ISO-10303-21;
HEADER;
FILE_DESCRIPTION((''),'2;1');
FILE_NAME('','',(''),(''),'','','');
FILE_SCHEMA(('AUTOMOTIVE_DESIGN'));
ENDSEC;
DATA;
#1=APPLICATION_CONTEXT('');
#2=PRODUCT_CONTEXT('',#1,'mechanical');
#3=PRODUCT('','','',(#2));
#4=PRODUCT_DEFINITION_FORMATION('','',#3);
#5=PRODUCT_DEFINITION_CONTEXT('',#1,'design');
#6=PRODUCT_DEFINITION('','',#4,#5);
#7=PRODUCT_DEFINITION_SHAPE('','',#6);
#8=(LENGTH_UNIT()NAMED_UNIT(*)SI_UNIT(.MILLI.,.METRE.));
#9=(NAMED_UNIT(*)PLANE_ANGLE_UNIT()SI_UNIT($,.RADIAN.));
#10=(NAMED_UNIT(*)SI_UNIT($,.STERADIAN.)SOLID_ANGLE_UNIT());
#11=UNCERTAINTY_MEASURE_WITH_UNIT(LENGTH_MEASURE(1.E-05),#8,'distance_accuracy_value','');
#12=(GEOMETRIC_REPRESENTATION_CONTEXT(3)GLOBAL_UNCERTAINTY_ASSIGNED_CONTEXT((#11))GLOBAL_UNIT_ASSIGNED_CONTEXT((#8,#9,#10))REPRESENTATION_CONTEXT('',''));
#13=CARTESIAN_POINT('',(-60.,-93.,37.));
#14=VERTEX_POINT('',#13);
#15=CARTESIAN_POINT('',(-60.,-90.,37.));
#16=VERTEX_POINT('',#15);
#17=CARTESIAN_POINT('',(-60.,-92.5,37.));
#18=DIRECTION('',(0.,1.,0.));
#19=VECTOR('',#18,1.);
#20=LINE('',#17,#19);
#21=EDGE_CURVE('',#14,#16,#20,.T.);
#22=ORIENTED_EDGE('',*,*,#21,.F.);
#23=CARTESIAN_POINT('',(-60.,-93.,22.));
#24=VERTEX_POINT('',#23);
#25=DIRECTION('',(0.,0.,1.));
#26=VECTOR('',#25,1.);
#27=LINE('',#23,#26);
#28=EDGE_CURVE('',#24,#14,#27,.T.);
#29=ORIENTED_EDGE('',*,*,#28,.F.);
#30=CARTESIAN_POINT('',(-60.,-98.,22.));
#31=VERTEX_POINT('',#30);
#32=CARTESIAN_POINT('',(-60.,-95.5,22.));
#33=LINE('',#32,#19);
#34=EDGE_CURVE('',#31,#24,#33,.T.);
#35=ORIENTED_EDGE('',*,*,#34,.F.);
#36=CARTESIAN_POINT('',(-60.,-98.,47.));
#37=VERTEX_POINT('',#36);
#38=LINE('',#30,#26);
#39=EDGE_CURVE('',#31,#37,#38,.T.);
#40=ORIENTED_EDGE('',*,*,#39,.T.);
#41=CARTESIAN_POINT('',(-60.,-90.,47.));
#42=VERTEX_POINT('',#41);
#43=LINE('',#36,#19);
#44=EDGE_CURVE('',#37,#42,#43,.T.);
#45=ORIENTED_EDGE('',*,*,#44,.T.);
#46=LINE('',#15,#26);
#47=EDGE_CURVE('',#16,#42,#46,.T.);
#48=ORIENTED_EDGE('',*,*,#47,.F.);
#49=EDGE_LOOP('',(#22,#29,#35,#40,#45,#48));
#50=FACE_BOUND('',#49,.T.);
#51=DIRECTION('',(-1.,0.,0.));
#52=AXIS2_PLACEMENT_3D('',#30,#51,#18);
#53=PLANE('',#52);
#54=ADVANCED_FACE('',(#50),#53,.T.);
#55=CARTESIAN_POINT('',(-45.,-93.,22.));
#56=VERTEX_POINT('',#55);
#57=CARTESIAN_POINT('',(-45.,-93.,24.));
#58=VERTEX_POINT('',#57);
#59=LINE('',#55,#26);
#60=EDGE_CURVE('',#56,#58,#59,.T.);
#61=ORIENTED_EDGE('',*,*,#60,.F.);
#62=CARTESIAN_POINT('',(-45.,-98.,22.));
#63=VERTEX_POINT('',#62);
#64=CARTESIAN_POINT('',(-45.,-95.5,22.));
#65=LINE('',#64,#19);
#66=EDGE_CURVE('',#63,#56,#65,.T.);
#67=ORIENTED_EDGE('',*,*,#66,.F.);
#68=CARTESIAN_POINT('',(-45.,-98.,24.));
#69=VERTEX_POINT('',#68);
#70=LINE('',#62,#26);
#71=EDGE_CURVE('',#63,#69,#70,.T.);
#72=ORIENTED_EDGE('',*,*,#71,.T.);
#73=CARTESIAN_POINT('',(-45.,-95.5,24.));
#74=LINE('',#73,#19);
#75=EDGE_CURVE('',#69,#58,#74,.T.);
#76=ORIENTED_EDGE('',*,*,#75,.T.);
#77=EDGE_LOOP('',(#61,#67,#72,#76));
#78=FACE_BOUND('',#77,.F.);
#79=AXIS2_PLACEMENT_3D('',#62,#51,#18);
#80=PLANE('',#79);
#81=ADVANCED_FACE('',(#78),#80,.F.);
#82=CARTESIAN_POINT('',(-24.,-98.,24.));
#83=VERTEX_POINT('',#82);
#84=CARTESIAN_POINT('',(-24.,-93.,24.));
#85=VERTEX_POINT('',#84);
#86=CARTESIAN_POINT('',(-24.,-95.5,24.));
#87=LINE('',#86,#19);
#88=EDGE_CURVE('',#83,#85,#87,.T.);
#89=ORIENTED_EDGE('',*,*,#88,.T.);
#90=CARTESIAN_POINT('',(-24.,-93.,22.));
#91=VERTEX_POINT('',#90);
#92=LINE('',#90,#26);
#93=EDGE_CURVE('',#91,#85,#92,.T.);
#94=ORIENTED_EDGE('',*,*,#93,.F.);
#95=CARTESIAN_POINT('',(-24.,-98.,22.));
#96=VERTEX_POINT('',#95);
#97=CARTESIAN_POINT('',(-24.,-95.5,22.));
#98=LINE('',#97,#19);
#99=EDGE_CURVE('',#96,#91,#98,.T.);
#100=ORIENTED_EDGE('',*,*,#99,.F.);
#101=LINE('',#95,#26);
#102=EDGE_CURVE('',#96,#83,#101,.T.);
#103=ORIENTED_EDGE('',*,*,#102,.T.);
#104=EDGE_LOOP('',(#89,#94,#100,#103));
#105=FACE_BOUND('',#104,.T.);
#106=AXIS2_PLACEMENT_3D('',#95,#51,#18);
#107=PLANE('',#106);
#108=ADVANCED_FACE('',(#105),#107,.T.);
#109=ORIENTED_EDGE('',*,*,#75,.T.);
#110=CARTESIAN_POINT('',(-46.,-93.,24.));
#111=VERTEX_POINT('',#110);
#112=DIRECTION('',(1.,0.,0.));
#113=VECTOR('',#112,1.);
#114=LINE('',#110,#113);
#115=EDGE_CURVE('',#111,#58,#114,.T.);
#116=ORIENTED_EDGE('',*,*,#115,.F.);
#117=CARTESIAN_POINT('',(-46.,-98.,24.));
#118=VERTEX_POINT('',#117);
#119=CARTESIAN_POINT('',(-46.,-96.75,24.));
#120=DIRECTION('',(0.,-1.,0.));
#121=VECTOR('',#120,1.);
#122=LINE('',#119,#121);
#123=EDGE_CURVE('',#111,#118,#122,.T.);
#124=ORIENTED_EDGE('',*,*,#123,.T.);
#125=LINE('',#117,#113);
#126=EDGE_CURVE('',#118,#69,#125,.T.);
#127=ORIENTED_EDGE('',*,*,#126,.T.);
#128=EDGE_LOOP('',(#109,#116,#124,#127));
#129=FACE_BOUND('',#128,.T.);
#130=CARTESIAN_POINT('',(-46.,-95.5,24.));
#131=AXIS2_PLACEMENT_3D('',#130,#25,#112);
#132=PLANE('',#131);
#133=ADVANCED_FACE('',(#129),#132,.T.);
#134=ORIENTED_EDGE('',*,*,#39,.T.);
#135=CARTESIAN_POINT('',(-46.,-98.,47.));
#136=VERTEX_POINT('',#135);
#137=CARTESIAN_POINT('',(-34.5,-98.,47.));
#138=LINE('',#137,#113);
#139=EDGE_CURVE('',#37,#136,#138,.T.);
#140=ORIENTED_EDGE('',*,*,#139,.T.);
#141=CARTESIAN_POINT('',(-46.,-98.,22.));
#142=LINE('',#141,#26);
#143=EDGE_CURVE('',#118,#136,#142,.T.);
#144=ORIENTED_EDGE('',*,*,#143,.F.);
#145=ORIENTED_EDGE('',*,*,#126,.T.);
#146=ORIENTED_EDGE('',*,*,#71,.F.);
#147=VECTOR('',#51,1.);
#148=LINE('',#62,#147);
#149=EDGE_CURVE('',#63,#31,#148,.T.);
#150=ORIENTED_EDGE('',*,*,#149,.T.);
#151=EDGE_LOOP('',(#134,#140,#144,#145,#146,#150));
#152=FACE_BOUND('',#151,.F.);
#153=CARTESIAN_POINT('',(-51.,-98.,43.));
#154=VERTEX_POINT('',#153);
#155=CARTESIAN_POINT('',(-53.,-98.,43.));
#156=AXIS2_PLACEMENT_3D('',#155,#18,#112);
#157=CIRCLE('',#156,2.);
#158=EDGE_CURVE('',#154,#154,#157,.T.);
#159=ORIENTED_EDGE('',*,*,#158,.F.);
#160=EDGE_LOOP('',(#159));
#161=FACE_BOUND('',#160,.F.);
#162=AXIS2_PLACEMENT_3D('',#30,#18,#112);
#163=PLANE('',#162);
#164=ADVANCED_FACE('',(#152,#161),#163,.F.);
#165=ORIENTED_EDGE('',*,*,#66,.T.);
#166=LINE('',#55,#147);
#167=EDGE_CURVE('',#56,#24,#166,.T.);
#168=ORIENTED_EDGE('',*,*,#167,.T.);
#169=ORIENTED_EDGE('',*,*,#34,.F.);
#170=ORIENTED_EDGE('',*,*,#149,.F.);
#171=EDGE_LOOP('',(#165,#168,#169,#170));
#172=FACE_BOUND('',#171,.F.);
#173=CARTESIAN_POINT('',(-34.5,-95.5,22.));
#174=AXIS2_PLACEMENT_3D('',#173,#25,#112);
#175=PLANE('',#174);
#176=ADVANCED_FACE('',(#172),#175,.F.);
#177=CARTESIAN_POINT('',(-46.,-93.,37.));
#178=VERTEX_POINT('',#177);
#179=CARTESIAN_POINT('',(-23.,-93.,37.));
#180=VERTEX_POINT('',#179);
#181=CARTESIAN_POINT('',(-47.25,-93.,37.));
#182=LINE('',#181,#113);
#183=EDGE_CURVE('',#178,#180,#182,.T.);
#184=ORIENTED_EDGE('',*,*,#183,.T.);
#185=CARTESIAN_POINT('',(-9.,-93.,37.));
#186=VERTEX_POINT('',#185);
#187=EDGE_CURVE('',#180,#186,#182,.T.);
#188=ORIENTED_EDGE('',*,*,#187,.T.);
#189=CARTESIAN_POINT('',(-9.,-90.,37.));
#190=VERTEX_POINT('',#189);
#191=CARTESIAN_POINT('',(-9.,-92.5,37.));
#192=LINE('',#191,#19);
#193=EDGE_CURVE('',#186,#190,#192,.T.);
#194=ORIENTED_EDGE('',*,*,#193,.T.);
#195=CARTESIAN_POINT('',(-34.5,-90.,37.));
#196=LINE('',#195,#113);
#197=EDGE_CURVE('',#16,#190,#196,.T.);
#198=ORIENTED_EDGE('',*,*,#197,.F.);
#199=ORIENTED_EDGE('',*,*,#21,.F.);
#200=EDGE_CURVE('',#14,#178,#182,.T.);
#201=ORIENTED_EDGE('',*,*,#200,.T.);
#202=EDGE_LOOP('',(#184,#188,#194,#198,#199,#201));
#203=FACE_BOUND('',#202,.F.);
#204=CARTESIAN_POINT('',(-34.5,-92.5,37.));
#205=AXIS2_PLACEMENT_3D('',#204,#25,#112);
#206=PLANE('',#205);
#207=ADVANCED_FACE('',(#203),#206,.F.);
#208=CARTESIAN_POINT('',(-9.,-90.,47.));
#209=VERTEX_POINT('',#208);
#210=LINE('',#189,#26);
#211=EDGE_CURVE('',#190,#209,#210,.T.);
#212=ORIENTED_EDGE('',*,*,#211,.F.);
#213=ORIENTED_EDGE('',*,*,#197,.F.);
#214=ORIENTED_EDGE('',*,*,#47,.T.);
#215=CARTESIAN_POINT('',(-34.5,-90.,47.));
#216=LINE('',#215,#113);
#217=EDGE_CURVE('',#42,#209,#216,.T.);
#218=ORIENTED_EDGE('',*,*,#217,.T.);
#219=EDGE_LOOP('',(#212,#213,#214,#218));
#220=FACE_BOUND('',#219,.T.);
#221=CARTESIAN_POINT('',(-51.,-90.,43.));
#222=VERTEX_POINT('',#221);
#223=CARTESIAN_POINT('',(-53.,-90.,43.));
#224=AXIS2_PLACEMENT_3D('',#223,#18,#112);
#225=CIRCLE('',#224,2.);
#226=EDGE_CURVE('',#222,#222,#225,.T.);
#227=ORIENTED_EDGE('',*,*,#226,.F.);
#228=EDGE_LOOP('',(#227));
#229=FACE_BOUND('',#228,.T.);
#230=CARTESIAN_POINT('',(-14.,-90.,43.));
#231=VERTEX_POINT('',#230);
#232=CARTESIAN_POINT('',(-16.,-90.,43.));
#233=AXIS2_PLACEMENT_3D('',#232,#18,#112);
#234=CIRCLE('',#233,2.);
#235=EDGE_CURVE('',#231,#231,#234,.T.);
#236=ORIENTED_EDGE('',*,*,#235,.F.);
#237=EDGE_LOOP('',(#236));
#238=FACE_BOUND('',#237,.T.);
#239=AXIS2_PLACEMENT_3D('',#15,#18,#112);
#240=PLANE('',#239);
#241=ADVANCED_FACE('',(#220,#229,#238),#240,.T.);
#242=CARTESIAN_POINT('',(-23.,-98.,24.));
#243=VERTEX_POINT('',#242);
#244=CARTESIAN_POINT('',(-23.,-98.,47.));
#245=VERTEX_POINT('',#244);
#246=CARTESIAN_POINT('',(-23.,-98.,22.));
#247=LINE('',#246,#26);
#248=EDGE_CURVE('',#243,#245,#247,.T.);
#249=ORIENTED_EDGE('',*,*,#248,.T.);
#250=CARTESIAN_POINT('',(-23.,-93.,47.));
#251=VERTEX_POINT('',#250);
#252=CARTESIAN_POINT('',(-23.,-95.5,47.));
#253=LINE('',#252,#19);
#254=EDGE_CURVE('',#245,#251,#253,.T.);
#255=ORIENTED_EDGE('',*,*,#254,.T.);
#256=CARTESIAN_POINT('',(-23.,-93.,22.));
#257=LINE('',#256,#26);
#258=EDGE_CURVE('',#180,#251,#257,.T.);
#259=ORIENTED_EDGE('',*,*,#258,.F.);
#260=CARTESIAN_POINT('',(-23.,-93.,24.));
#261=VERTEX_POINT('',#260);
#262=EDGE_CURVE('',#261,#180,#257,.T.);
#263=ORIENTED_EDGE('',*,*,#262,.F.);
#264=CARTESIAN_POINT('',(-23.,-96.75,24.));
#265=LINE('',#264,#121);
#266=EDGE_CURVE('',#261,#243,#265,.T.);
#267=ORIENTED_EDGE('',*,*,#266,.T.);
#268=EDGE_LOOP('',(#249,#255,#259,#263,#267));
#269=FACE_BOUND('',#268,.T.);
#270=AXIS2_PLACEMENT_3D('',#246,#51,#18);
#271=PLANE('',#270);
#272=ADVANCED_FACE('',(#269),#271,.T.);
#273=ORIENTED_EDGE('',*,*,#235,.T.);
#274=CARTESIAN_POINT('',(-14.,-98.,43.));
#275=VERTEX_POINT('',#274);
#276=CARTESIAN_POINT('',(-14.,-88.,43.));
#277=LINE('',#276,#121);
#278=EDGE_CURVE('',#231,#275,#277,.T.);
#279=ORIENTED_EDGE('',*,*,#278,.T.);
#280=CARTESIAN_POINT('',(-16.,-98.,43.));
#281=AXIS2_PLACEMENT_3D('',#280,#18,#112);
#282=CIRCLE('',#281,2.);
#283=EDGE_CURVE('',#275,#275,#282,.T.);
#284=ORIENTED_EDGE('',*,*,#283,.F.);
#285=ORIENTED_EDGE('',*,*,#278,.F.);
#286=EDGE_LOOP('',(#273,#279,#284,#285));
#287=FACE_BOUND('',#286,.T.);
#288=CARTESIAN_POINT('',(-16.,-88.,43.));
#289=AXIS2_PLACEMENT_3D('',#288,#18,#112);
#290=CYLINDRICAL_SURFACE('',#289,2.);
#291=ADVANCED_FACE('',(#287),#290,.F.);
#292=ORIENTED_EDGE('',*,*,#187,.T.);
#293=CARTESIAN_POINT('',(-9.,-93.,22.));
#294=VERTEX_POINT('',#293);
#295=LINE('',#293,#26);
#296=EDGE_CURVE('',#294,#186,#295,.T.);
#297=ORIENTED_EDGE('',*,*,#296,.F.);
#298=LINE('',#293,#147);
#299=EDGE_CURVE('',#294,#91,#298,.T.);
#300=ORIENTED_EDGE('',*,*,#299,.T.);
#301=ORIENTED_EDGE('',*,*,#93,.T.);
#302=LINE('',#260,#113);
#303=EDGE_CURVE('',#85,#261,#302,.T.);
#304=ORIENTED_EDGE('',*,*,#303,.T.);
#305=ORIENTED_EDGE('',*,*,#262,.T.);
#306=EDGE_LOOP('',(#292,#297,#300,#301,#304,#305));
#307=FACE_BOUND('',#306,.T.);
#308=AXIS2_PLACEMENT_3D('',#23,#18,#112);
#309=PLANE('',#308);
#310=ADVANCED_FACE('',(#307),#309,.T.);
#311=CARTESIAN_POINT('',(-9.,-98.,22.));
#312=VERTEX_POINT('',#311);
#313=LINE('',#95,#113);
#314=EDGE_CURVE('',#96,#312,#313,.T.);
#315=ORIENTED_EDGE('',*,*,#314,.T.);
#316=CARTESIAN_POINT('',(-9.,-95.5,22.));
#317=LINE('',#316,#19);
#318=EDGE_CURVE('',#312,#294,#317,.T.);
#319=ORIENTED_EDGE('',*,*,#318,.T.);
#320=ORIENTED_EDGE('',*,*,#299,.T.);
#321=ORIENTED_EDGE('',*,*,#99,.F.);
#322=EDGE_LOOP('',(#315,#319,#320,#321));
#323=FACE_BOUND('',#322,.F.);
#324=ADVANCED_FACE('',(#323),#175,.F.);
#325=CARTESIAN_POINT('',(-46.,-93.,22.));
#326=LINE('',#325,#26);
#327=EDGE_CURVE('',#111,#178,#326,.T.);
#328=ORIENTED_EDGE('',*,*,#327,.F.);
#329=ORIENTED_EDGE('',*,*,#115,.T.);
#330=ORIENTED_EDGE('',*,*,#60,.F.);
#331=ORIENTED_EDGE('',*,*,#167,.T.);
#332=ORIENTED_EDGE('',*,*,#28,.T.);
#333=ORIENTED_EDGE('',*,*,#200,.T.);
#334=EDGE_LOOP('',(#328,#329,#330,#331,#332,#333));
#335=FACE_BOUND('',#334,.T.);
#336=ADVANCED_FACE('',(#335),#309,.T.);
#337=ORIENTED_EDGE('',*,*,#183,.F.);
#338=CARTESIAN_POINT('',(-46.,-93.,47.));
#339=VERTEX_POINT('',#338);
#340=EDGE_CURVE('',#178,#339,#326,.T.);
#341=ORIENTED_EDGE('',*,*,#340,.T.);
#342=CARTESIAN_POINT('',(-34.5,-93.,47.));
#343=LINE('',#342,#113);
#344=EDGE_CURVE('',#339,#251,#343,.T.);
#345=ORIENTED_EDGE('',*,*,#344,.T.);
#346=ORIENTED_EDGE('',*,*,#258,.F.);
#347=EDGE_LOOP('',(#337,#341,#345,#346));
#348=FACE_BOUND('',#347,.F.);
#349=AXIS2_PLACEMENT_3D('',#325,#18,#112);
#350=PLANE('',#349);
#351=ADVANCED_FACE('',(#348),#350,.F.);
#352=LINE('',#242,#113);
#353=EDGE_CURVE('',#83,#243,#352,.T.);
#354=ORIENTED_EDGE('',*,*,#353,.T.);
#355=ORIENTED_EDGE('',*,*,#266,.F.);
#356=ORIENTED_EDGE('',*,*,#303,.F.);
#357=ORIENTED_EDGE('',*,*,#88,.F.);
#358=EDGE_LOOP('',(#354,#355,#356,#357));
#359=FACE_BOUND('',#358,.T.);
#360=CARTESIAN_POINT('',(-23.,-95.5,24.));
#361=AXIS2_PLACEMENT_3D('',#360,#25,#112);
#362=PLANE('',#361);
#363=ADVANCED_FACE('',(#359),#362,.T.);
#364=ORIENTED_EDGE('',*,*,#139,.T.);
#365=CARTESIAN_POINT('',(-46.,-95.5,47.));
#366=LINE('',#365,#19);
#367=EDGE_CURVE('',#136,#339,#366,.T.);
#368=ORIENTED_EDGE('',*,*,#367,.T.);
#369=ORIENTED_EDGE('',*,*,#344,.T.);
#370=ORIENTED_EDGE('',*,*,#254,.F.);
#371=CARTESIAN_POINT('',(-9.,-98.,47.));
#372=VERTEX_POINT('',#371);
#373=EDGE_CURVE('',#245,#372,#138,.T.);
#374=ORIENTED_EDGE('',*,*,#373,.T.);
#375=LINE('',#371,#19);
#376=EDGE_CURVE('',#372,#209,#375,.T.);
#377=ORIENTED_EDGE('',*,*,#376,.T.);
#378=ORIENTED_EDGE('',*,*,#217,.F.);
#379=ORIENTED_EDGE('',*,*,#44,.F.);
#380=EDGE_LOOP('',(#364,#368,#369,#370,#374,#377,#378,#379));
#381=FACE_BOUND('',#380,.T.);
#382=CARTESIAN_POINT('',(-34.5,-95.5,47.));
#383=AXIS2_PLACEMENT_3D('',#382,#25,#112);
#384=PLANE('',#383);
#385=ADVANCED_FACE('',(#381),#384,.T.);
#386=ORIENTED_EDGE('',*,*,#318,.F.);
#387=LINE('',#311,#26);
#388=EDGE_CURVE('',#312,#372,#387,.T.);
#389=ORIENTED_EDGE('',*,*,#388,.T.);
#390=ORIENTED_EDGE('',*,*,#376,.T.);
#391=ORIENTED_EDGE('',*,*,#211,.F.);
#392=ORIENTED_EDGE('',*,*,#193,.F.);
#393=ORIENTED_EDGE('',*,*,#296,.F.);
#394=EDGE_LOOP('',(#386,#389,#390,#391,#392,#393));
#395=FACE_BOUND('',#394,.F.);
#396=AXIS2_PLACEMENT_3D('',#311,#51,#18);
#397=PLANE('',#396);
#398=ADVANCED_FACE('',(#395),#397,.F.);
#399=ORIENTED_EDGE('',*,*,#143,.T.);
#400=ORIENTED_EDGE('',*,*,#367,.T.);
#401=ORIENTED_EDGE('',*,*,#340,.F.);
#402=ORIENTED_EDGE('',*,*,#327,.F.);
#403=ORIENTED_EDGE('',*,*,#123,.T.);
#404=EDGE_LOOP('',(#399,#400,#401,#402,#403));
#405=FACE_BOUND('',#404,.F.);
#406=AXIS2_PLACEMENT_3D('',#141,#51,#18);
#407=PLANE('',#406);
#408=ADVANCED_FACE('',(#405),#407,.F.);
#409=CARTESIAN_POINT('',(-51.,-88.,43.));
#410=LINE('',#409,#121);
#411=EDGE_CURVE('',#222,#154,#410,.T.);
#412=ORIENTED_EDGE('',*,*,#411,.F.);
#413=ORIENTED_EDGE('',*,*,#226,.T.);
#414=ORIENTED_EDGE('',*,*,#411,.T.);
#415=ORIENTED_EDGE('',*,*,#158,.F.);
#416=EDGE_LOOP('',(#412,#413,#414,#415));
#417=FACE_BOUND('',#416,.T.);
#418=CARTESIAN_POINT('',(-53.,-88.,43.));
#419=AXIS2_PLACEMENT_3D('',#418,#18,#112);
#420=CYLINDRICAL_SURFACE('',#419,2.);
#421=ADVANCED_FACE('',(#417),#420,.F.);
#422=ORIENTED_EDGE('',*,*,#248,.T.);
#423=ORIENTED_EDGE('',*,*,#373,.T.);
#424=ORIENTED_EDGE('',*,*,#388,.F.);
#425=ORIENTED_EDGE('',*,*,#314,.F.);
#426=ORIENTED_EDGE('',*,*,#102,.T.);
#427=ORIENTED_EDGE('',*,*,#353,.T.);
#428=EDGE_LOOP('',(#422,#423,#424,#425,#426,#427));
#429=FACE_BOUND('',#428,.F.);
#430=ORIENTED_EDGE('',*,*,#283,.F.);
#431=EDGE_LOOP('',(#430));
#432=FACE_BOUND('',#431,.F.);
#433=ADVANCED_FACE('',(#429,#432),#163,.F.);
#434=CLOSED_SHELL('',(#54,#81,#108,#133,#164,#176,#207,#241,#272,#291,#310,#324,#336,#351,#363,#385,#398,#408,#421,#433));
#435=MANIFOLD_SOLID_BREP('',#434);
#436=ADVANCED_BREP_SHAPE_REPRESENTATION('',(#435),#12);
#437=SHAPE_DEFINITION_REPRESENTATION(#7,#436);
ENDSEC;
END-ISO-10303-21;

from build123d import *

# Parameters (mm, degrees)
CYLINDER295_R     = 2
CYLINDER295_DEPTH = 20
CYLINDER294_R     = 2
CYLINDER294_DEPTH = 20
BOX385_W          = 2
BOX385_H          = 5
BOX385_DEPTH      = 2
BOX025_W          = 23
BOX025_H          = 5
BOX025_DEPTH      = 25
BOX026_W          = 51
BOX026_H          = 5
BOX026_DEPTH      = 10
BOX024_W          = 51
BOX024_H          = 5
BOX024_DEPTH      = 25
BOX384_W          = 2
BOX384_H          = 5
BOX384_DEPTH      = 2


with BuildPart() as cylinder295:
    # Cylinder295 → Cylinder295 (new body)
    with BuildSketch(Plane(origin=(-16, -88, 43), x_dir=(1, 0, 0), z_dir=(0, -1, 0))):
        Circle(CYLINDER295_R)
    extrude(amount=CYLINDER295_DEPTH)


with BuildPart() as fusion233:
    # Cylinder294 → Cylinder294 (new body)
    with BuildSketch(Plane(origin=(-53, -88, 43), x_dir=(1, 0, 0), z_dir=(0, -1, 0))):
        Circle(CYLINDER294_R)
    extrude(amount=CYLINDER294_DEPTH)

    # Fusion233: union Cylinder295
    add(cylinder295.part)


with BuildPart() as box385:
    # Box385 → Box385 (new body)
    with BuildSketch(Plane(origin=(-24, -93, 26), x_dir=(1, 0, 0), z_dir=(0, 0, 1))):
        with Locations((1, 2.5)):
            Rectangle(BOX385_W, BOX385_H)
    extrude(amount=BOX385_DEPTH)


with BuildPart() as box025:
    # Box025 → Box025 (new body)
    with BuildSketch(Plane(origin=(-37, -93, 16), x_dir=(1, 0, 0), z_dir=(0, 0, 1))):
        with Locations((11.5, 2.5)):
            Rectangle(BOX025_W, BOX025_H)
    extrude(amount=BOX025_DEPTH)


with BuildPart() as box026:
    # Box026 → Box026 (new body)
    with BuildSketch(Plane(origin=(-51, -90, 31), x_dir=(1, 0, 0), z_dir=(0, 0, 1))):
        with Locations((25.5, 2.5)):
            Rectangle(BOX026_W, BOX026_H)
    extrude(amount=BOX026_DEPTH)


with BuildPart() as cut268:
    # Box024 → Box024 (new body)
    with BuildSketch(Plane(origin=(-51, -93, 16), x_dir=(1, 0, 0), z_dir=(0, 0, 1))):
        with Locations((25.5, 2.5)):
            Rectangle(BOX024_W, BOX024_H)
    extrude(amount=BOX024_DEPTH)

    # Fusion223: union Box026
    add(box026.part)

    # Cut268: cut Box025
    add(box025.part, mode=Mode.SUBTRACT)


with BuildPart() as cut268_1:
    # Cut268 placement: moved
    add(cut268.part.moved(Location((-9, 0, 10))))


with BuildPart() as cut280:
    # Box384 → Box384 (new body)
    with BuildSketch(Plane(origin=(-47, -93, 26), x_dir=(1, 0, 0), z_dir=(0, 0, 1))):
        with Locations((1, 2.5)):
            Rectangle(BOX384_W, BOX384_H)
    extrude(amount=BOX384_DEPTH)

    # Fusion224: union Box385, Cut268
    add(box385.part)
    add(cut268_1.part)


with BuildPart() as cut280_1:
    # Fusion224 placement: moved
    add(cut280.part.moved(Location((0, -5, -4))))

    # Cut280: cut Fusion233
    add(fusion233.part, mode=Mode.SUBTRACT)


solid = cut280_1.part
